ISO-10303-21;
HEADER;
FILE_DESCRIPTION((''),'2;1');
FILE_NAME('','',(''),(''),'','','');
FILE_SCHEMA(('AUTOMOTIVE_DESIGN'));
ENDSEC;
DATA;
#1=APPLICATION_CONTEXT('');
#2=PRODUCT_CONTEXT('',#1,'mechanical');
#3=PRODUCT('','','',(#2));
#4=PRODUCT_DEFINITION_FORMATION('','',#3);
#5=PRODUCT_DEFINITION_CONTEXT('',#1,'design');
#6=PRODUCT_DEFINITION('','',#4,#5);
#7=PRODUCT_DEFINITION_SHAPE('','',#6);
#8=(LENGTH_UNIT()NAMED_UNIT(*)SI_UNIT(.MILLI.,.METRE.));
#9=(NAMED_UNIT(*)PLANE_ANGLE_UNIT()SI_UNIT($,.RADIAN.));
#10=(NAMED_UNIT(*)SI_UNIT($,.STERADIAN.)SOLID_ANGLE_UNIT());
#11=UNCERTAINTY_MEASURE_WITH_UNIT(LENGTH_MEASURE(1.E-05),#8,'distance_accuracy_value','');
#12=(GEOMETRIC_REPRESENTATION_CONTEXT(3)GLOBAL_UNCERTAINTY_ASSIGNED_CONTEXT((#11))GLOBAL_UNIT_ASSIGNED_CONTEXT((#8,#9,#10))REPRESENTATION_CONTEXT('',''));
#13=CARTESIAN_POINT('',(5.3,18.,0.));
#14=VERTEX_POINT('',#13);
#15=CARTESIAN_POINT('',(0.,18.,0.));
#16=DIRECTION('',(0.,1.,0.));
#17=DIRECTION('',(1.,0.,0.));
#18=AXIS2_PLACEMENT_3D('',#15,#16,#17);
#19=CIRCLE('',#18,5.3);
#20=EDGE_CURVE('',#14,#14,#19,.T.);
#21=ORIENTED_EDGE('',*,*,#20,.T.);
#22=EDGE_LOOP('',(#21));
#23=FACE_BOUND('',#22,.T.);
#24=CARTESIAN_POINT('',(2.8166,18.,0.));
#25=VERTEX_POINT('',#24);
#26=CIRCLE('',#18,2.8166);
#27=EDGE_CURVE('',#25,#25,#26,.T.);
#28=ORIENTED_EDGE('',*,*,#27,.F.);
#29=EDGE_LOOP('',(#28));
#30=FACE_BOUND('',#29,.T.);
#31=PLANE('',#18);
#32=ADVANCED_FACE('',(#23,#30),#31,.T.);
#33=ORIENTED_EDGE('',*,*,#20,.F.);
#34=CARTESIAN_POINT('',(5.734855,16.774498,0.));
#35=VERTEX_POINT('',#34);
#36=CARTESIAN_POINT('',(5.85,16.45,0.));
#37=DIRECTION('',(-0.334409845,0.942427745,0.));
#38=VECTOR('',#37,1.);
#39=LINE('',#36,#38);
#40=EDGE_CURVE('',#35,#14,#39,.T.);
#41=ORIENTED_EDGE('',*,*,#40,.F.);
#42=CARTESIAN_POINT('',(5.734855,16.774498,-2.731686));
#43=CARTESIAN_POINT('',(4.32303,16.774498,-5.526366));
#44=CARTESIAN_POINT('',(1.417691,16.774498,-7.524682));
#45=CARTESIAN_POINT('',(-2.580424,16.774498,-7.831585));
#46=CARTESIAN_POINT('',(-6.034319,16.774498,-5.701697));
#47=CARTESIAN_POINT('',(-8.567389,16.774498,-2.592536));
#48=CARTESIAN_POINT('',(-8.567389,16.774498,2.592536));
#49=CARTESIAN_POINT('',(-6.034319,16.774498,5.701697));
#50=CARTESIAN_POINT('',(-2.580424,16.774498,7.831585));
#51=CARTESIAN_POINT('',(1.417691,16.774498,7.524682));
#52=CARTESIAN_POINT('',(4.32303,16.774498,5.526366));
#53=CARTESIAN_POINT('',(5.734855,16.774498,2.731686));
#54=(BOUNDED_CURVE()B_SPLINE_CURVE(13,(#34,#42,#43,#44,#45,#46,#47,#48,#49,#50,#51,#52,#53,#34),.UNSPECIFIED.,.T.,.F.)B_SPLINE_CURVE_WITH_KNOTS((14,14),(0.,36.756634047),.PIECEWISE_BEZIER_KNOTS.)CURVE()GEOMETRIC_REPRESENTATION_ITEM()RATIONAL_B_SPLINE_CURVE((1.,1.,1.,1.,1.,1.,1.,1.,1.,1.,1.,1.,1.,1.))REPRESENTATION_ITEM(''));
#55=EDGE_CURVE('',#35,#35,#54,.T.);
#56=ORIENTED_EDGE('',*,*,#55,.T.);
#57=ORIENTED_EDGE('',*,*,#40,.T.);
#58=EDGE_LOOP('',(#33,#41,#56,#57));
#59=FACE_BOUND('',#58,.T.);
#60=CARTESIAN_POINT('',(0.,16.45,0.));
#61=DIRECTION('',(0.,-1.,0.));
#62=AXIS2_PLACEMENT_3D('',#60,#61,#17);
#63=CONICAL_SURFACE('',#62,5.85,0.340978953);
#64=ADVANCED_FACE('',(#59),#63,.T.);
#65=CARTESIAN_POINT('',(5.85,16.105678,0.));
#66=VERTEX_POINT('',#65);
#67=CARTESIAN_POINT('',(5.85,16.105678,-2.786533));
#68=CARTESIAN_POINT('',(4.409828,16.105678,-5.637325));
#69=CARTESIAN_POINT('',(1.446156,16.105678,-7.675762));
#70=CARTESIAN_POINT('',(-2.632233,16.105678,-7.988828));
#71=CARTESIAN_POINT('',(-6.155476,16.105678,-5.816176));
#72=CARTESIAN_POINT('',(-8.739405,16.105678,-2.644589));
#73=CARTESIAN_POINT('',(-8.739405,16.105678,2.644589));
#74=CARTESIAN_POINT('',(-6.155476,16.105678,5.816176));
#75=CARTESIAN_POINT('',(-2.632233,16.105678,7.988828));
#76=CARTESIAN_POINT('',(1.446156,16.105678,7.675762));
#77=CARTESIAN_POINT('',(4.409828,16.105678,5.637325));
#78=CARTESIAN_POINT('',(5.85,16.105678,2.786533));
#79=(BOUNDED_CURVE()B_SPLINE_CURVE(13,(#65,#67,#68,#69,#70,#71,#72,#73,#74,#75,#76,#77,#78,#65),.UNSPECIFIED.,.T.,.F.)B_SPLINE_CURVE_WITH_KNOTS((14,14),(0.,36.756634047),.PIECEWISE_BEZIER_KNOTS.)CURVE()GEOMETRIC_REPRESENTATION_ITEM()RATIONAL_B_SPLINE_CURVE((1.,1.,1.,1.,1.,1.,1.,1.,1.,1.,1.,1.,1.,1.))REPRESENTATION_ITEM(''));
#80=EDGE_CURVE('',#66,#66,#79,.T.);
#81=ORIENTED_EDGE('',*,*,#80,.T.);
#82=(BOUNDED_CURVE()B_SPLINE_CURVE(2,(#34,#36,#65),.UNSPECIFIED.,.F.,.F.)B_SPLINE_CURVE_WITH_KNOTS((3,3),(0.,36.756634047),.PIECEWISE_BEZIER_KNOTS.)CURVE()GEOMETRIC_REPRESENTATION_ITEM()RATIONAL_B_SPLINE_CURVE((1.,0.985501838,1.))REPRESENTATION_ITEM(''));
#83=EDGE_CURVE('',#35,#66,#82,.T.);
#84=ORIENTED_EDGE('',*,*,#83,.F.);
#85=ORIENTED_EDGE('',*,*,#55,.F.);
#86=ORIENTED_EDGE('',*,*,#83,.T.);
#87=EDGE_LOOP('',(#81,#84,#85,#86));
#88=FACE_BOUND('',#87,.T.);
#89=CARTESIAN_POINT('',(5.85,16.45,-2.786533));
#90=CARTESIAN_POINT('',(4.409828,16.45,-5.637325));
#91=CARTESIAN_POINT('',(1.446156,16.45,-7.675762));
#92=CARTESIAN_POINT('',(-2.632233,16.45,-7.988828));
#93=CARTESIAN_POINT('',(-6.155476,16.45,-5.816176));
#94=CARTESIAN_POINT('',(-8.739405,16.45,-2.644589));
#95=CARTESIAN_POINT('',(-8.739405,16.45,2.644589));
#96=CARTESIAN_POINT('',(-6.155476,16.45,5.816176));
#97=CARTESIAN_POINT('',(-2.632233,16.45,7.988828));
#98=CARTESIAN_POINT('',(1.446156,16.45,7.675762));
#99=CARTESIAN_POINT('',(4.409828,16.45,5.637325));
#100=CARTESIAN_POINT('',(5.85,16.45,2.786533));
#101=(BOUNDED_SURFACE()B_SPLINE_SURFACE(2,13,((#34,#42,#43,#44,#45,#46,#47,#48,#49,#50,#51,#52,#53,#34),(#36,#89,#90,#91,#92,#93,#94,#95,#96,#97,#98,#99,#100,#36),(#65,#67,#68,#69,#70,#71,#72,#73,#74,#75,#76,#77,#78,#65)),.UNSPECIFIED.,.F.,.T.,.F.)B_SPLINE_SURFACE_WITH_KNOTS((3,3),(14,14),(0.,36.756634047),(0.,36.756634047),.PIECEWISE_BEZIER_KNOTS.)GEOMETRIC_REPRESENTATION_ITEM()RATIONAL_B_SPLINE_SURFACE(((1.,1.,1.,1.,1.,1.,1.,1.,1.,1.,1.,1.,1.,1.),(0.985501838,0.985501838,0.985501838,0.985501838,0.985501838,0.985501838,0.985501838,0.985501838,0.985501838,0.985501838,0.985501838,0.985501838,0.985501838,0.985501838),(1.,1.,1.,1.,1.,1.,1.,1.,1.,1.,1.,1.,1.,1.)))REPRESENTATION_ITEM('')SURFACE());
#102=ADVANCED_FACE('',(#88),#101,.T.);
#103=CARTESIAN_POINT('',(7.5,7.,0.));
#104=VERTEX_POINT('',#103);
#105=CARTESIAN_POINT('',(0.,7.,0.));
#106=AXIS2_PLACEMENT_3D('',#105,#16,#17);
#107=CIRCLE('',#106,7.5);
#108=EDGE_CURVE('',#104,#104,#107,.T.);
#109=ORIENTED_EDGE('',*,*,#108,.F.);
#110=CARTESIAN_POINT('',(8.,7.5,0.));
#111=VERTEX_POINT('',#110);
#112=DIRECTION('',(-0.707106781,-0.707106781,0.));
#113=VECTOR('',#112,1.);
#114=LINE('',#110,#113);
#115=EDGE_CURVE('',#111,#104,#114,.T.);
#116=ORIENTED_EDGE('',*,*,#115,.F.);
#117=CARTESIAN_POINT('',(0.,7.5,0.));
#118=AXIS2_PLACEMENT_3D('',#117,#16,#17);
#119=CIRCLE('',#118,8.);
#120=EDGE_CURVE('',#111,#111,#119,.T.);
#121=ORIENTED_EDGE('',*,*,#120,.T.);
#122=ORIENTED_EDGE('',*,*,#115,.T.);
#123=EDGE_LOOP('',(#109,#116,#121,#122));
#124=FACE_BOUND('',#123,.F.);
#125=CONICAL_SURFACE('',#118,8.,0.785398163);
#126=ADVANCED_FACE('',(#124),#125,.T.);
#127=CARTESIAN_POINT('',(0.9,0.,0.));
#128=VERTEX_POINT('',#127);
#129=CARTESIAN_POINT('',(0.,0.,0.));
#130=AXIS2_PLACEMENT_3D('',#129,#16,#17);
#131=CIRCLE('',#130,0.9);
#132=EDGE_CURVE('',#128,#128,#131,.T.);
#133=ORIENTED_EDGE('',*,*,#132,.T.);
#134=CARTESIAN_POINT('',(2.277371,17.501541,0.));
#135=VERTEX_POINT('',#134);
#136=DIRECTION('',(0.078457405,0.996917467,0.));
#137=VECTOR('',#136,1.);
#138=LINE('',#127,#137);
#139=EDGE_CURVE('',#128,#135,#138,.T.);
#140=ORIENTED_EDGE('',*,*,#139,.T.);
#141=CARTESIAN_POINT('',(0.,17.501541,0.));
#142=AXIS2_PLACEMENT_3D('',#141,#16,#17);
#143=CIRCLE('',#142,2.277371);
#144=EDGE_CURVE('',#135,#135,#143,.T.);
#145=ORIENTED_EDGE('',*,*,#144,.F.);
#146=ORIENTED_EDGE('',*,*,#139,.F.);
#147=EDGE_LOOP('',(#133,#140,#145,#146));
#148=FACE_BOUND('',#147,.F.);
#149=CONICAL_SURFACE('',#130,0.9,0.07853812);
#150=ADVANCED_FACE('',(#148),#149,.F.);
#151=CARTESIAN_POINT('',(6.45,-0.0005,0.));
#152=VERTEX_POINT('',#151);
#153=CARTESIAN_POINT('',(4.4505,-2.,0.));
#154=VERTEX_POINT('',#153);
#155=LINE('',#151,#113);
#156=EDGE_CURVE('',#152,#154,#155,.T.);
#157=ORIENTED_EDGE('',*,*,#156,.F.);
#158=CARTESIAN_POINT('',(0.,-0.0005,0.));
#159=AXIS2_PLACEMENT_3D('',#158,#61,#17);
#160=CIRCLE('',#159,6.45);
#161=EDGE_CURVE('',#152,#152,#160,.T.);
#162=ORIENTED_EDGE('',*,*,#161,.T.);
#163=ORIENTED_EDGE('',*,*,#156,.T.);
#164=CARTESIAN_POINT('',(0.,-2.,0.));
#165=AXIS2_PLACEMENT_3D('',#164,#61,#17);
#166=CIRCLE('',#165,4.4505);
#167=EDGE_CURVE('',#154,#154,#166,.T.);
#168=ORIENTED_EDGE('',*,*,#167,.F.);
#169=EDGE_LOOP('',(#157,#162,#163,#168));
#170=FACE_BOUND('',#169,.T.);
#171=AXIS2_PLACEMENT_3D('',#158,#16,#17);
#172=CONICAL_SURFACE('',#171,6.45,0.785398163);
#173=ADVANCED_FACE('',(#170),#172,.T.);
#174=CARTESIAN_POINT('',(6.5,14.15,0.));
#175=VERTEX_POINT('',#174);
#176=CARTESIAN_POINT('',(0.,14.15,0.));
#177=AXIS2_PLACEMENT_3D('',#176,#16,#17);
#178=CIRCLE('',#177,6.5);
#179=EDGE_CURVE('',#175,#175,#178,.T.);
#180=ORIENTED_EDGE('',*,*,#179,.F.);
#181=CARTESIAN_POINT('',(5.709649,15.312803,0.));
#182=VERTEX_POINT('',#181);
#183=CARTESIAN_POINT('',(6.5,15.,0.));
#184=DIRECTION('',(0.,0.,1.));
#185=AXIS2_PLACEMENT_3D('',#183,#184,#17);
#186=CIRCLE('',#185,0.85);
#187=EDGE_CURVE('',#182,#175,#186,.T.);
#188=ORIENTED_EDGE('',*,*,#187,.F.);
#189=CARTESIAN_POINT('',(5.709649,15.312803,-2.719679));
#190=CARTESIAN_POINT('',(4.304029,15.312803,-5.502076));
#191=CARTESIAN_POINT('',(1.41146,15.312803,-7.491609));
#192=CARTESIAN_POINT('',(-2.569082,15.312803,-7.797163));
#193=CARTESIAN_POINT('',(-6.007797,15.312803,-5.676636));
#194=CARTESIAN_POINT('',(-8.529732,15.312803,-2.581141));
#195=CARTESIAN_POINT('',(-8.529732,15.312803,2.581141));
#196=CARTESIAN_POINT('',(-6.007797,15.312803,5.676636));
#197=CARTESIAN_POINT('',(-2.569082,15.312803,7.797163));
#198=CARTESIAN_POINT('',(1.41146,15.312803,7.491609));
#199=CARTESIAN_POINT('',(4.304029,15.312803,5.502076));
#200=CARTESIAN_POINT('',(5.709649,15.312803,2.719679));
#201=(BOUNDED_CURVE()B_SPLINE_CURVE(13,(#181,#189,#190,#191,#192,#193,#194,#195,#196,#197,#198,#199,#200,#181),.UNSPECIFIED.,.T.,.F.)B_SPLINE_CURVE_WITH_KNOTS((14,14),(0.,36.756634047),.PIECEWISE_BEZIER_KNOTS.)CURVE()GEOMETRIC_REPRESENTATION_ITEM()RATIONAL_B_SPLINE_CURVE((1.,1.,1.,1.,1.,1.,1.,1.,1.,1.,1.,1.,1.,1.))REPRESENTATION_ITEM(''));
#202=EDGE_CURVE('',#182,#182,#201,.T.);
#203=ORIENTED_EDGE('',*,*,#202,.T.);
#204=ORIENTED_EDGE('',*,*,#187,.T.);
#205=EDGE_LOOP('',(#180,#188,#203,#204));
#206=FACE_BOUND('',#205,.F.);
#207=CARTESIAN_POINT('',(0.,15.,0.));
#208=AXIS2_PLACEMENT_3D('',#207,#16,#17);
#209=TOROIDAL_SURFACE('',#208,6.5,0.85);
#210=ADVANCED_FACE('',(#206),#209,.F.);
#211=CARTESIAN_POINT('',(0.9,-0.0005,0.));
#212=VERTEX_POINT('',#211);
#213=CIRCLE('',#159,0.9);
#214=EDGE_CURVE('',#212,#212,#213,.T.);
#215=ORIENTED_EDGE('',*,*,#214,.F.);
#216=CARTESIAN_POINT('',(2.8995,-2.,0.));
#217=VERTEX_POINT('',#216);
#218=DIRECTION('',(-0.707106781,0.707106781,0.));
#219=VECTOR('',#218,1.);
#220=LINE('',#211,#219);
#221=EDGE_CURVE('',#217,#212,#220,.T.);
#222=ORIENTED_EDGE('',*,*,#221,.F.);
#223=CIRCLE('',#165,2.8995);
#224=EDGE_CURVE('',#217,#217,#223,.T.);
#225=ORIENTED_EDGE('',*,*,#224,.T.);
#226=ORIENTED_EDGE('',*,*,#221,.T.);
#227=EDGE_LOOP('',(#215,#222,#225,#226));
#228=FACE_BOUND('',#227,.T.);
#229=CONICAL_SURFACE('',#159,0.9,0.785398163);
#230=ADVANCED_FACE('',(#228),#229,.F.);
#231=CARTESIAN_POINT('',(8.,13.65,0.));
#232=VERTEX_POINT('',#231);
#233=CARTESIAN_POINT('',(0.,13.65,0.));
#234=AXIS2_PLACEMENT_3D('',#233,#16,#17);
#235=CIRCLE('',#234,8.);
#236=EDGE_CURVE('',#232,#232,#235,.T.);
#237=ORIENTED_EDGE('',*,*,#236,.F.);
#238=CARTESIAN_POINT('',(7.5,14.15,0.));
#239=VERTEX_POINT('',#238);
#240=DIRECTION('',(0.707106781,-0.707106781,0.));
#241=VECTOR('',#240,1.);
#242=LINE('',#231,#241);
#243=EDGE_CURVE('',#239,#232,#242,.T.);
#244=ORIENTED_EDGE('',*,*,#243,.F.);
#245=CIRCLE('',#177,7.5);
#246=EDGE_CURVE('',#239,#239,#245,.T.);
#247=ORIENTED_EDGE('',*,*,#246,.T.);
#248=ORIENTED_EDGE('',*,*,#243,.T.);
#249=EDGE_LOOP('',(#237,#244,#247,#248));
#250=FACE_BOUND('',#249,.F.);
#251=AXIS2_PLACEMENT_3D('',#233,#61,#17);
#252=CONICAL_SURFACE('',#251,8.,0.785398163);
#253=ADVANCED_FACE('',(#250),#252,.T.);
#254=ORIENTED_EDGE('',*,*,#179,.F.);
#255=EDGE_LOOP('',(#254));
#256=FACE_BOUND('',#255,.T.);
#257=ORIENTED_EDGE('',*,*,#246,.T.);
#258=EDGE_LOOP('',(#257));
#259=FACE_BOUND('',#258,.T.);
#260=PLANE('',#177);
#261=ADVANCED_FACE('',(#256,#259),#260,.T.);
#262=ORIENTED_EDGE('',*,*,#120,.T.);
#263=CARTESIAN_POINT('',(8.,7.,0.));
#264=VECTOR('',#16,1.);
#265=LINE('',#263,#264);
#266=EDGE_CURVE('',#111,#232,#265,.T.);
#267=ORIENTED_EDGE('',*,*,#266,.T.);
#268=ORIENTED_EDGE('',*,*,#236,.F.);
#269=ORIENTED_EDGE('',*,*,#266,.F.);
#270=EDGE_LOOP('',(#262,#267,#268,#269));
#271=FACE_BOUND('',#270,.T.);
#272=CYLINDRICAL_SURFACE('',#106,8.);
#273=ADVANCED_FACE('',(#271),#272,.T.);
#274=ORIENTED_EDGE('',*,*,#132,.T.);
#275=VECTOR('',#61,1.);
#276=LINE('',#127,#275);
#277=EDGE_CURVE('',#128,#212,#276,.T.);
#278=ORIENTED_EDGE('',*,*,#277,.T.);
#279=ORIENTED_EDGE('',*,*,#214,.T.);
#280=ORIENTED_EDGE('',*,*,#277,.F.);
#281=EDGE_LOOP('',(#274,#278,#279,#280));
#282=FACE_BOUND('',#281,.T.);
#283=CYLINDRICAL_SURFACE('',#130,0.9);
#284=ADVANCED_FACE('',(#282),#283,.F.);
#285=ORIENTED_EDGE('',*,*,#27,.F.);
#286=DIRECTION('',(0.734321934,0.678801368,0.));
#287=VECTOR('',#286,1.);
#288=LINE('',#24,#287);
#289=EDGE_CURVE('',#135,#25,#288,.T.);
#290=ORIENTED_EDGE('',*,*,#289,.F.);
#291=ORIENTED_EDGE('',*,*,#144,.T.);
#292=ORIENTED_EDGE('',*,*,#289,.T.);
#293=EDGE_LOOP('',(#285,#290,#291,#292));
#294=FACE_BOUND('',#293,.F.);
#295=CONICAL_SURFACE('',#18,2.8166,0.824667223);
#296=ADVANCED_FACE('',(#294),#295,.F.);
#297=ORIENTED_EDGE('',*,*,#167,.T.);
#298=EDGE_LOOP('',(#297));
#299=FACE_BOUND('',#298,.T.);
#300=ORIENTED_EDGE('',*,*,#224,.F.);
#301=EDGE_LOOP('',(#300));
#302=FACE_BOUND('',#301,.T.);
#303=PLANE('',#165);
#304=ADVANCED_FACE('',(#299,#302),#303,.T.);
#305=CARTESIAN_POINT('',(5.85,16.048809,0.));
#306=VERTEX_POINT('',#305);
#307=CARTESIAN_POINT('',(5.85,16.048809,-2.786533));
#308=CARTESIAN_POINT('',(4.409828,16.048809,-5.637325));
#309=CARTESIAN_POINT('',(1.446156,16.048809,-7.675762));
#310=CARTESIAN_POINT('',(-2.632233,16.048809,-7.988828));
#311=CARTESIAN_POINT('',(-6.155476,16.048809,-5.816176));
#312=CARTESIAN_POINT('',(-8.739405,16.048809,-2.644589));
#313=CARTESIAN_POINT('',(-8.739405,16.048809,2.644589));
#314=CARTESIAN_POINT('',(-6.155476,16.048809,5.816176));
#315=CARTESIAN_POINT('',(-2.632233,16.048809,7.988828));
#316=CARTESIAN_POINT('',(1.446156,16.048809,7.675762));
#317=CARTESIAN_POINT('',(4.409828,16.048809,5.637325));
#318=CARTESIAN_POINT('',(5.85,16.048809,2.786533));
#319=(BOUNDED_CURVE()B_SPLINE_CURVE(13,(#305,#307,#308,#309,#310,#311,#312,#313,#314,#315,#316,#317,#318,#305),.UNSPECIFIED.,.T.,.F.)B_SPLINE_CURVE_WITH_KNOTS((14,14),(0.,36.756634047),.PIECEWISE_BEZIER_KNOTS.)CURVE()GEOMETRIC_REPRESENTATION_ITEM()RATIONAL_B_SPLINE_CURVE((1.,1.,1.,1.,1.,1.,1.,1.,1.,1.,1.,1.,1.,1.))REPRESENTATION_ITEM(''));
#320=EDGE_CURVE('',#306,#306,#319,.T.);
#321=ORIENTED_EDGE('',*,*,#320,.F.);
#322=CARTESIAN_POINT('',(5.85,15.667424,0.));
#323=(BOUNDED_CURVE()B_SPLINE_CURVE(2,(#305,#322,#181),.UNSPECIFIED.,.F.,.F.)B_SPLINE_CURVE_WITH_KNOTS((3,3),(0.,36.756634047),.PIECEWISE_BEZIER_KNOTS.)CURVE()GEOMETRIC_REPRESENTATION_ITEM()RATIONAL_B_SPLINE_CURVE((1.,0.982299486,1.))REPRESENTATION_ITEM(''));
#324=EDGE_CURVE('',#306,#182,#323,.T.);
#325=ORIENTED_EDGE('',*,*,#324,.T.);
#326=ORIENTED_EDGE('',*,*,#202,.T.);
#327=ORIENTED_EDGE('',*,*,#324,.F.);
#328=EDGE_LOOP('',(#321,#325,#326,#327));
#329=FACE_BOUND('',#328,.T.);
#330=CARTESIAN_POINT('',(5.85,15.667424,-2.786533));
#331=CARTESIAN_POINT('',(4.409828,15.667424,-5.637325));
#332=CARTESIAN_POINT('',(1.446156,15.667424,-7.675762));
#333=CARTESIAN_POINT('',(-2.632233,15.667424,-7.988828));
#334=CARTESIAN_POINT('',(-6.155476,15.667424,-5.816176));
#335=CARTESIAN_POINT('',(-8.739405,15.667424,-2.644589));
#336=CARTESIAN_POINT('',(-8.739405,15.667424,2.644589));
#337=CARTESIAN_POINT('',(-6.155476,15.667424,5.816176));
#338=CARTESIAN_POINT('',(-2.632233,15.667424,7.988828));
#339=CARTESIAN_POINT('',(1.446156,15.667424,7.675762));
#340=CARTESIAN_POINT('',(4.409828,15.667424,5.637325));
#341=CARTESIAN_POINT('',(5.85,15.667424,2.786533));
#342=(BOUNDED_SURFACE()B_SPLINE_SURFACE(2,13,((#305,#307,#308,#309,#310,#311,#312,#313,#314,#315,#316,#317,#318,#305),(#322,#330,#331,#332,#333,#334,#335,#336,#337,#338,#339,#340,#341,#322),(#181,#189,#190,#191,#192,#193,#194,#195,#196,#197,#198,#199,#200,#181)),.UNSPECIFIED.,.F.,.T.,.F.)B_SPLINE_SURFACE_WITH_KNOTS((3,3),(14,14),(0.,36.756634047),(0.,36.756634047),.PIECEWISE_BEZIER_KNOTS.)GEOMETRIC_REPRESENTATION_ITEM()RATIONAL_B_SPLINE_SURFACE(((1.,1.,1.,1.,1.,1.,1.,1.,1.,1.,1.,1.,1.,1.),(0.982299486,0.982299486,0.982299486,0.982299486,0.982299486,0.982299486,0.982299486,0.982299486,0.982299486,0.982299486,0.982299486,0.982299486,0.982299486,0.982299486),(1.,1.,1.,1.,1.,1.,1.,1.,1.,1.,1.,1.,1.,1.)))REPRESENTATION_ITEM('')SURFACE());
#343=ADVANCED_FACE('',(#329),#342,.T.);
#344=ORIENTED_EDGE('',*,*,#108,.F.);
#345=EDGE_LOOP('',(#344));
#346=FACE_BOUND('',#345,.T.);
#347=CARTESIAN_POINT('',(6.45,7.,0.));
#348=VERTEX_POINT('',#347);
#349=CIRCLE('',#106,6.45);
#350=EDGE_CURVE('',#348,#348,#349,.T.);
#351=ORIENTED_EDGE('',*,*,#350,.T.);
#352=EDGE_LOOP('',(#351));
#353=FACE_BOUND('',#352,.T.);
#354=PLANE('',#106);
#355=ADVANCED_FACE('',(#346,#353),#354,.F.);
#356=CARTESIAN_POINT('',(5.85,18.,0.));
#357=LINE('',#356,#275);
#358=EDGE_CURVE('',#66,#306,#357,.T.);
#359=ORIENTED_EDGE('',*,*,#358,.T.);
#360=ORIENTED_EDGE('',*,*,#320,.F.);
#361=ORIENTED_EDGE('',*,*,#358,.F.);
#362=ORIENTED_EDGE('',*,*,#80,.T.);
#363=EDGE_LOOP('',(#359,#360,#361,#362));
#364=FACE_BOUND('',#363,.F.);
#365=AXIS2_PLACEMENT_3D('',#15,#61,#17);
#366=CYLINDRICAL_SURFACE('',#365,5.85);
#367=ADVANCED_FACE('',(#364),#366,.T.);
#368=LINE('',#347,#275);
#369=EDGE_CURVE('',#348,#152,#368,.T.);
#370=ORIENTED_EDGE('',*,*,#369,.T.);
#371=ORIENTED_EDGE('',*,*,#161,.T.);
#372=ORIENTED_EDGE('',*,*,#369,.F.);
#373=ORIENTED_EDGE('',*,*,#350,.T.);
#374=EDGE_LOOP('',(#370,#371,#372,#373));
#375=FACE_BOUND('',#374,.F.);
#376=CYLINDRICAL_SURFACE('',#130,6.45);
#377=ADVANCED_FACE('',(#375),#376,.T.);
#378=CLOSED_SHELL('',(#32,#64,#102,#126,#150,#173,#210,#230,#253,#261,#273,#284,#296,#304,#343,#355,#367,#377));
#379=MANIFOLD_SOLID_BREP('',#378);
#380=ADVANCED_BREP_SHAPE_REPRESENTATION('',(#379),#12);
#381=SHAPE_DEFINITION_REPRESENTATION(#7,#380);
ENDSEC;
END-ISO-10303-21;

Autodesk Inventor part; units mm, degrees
ref_plane "YZ Plane" through (0, 0, 0) normal (1, 0, 0) x (0, 1, 0)
ref_plane "XZ Plane" through (0, 0, 0) normal (0, 1, 0) x (-1, 0, 0)
ref_plane "XY Plane" through (0, 0, 0) normal (0, 0, 1) x (1, 0, 0)
sketch "Sketch1" plane through (0, 0, 0) normal (0, 0, 1) x (1, 0, 0)
  line L0 (0, 0) -> (0, 8.9988) construction
  line L1 (0, 0) -> (7.1408, 0) construction
  line L2 (0.9, 0) -> (2.3166, 18)
  line L3 (0.9, 0) -> (6.45, 0)
  line L4 (6.45, 0) -> (6.45, 7)
  line L5 (6.45, 7) -> (8, 7)
  line L6 (6.5, 18) -> (2.3166, 18)
  line L7 (6.5, 18) -> (5.85, 18)
  line L8 (5.85, 18) -> (5.85, 15)
  line L9 (5.85, 15) -> (6.5, 15)
  line L10 (6.5, 15) -> (6.5, 18)
  line L11 (5.85, 16.45) -> (5.3, 18)
  circle A0 centre (6.5, 15) radius 0.85
  line L12 (8, 7) -> (8, 14.15)
  line L13 (8, 14.15) -> (6.5, 14.15)
  line L14 (6.5, 14.15) -> (6.5, 15)
  point P0 (5.85, 15.5477)
  point P1 (6.5, 14.15)
  dimension "d0" = 7
  dimension "d1" = 6.45
  dimension "d4" = 18
  dimension "d6" = 4.5
  dimension "d7" = 0.9
  dimension "d9" = 1.7
  dimension "d10" = 3
  dimension "d11" = 0.55
  dimension "d12" = 1.55
  dimension "d18" = 6.5
  dimension "d19" = 0.65
  dimension "d20" = 8
revolve "Revolution1" add sketch "Sketch1" angle 360 about axis through (0, 0, 0) along (0, 1, 0) contours L2 L6 L11 L8 A0 L13 L12 L5 L4 L3
chamfer "Chamfer1" distance 0.5 angle 45 3 edges at (-8, 7, 0) (-2.3166, 18, 0) (-8, 14.15, 0)
fillet "Fillet1" radius 2 2 edges at (-5.85, 15.5477, 0) (-5.85, 16.45, 0)
sketch "Sketch2" plane through (0, 0, 0) normal (0, -1, 0) x (1, 0, 0)
  circle A0 centre (0, 0) radius 6.45 projected
  circle A1 centre (0, 0) radius 0.9 projected
extrude "Extrusion1" add sketch "Sketch2" along normal blind 2
chamfer "Chamfer2" distance 2 angle 45 2 edges at (-0.9, -2, 0) (-6.45, -2, 0)
properties part number "pipettetip_alignmenttool_v2"
